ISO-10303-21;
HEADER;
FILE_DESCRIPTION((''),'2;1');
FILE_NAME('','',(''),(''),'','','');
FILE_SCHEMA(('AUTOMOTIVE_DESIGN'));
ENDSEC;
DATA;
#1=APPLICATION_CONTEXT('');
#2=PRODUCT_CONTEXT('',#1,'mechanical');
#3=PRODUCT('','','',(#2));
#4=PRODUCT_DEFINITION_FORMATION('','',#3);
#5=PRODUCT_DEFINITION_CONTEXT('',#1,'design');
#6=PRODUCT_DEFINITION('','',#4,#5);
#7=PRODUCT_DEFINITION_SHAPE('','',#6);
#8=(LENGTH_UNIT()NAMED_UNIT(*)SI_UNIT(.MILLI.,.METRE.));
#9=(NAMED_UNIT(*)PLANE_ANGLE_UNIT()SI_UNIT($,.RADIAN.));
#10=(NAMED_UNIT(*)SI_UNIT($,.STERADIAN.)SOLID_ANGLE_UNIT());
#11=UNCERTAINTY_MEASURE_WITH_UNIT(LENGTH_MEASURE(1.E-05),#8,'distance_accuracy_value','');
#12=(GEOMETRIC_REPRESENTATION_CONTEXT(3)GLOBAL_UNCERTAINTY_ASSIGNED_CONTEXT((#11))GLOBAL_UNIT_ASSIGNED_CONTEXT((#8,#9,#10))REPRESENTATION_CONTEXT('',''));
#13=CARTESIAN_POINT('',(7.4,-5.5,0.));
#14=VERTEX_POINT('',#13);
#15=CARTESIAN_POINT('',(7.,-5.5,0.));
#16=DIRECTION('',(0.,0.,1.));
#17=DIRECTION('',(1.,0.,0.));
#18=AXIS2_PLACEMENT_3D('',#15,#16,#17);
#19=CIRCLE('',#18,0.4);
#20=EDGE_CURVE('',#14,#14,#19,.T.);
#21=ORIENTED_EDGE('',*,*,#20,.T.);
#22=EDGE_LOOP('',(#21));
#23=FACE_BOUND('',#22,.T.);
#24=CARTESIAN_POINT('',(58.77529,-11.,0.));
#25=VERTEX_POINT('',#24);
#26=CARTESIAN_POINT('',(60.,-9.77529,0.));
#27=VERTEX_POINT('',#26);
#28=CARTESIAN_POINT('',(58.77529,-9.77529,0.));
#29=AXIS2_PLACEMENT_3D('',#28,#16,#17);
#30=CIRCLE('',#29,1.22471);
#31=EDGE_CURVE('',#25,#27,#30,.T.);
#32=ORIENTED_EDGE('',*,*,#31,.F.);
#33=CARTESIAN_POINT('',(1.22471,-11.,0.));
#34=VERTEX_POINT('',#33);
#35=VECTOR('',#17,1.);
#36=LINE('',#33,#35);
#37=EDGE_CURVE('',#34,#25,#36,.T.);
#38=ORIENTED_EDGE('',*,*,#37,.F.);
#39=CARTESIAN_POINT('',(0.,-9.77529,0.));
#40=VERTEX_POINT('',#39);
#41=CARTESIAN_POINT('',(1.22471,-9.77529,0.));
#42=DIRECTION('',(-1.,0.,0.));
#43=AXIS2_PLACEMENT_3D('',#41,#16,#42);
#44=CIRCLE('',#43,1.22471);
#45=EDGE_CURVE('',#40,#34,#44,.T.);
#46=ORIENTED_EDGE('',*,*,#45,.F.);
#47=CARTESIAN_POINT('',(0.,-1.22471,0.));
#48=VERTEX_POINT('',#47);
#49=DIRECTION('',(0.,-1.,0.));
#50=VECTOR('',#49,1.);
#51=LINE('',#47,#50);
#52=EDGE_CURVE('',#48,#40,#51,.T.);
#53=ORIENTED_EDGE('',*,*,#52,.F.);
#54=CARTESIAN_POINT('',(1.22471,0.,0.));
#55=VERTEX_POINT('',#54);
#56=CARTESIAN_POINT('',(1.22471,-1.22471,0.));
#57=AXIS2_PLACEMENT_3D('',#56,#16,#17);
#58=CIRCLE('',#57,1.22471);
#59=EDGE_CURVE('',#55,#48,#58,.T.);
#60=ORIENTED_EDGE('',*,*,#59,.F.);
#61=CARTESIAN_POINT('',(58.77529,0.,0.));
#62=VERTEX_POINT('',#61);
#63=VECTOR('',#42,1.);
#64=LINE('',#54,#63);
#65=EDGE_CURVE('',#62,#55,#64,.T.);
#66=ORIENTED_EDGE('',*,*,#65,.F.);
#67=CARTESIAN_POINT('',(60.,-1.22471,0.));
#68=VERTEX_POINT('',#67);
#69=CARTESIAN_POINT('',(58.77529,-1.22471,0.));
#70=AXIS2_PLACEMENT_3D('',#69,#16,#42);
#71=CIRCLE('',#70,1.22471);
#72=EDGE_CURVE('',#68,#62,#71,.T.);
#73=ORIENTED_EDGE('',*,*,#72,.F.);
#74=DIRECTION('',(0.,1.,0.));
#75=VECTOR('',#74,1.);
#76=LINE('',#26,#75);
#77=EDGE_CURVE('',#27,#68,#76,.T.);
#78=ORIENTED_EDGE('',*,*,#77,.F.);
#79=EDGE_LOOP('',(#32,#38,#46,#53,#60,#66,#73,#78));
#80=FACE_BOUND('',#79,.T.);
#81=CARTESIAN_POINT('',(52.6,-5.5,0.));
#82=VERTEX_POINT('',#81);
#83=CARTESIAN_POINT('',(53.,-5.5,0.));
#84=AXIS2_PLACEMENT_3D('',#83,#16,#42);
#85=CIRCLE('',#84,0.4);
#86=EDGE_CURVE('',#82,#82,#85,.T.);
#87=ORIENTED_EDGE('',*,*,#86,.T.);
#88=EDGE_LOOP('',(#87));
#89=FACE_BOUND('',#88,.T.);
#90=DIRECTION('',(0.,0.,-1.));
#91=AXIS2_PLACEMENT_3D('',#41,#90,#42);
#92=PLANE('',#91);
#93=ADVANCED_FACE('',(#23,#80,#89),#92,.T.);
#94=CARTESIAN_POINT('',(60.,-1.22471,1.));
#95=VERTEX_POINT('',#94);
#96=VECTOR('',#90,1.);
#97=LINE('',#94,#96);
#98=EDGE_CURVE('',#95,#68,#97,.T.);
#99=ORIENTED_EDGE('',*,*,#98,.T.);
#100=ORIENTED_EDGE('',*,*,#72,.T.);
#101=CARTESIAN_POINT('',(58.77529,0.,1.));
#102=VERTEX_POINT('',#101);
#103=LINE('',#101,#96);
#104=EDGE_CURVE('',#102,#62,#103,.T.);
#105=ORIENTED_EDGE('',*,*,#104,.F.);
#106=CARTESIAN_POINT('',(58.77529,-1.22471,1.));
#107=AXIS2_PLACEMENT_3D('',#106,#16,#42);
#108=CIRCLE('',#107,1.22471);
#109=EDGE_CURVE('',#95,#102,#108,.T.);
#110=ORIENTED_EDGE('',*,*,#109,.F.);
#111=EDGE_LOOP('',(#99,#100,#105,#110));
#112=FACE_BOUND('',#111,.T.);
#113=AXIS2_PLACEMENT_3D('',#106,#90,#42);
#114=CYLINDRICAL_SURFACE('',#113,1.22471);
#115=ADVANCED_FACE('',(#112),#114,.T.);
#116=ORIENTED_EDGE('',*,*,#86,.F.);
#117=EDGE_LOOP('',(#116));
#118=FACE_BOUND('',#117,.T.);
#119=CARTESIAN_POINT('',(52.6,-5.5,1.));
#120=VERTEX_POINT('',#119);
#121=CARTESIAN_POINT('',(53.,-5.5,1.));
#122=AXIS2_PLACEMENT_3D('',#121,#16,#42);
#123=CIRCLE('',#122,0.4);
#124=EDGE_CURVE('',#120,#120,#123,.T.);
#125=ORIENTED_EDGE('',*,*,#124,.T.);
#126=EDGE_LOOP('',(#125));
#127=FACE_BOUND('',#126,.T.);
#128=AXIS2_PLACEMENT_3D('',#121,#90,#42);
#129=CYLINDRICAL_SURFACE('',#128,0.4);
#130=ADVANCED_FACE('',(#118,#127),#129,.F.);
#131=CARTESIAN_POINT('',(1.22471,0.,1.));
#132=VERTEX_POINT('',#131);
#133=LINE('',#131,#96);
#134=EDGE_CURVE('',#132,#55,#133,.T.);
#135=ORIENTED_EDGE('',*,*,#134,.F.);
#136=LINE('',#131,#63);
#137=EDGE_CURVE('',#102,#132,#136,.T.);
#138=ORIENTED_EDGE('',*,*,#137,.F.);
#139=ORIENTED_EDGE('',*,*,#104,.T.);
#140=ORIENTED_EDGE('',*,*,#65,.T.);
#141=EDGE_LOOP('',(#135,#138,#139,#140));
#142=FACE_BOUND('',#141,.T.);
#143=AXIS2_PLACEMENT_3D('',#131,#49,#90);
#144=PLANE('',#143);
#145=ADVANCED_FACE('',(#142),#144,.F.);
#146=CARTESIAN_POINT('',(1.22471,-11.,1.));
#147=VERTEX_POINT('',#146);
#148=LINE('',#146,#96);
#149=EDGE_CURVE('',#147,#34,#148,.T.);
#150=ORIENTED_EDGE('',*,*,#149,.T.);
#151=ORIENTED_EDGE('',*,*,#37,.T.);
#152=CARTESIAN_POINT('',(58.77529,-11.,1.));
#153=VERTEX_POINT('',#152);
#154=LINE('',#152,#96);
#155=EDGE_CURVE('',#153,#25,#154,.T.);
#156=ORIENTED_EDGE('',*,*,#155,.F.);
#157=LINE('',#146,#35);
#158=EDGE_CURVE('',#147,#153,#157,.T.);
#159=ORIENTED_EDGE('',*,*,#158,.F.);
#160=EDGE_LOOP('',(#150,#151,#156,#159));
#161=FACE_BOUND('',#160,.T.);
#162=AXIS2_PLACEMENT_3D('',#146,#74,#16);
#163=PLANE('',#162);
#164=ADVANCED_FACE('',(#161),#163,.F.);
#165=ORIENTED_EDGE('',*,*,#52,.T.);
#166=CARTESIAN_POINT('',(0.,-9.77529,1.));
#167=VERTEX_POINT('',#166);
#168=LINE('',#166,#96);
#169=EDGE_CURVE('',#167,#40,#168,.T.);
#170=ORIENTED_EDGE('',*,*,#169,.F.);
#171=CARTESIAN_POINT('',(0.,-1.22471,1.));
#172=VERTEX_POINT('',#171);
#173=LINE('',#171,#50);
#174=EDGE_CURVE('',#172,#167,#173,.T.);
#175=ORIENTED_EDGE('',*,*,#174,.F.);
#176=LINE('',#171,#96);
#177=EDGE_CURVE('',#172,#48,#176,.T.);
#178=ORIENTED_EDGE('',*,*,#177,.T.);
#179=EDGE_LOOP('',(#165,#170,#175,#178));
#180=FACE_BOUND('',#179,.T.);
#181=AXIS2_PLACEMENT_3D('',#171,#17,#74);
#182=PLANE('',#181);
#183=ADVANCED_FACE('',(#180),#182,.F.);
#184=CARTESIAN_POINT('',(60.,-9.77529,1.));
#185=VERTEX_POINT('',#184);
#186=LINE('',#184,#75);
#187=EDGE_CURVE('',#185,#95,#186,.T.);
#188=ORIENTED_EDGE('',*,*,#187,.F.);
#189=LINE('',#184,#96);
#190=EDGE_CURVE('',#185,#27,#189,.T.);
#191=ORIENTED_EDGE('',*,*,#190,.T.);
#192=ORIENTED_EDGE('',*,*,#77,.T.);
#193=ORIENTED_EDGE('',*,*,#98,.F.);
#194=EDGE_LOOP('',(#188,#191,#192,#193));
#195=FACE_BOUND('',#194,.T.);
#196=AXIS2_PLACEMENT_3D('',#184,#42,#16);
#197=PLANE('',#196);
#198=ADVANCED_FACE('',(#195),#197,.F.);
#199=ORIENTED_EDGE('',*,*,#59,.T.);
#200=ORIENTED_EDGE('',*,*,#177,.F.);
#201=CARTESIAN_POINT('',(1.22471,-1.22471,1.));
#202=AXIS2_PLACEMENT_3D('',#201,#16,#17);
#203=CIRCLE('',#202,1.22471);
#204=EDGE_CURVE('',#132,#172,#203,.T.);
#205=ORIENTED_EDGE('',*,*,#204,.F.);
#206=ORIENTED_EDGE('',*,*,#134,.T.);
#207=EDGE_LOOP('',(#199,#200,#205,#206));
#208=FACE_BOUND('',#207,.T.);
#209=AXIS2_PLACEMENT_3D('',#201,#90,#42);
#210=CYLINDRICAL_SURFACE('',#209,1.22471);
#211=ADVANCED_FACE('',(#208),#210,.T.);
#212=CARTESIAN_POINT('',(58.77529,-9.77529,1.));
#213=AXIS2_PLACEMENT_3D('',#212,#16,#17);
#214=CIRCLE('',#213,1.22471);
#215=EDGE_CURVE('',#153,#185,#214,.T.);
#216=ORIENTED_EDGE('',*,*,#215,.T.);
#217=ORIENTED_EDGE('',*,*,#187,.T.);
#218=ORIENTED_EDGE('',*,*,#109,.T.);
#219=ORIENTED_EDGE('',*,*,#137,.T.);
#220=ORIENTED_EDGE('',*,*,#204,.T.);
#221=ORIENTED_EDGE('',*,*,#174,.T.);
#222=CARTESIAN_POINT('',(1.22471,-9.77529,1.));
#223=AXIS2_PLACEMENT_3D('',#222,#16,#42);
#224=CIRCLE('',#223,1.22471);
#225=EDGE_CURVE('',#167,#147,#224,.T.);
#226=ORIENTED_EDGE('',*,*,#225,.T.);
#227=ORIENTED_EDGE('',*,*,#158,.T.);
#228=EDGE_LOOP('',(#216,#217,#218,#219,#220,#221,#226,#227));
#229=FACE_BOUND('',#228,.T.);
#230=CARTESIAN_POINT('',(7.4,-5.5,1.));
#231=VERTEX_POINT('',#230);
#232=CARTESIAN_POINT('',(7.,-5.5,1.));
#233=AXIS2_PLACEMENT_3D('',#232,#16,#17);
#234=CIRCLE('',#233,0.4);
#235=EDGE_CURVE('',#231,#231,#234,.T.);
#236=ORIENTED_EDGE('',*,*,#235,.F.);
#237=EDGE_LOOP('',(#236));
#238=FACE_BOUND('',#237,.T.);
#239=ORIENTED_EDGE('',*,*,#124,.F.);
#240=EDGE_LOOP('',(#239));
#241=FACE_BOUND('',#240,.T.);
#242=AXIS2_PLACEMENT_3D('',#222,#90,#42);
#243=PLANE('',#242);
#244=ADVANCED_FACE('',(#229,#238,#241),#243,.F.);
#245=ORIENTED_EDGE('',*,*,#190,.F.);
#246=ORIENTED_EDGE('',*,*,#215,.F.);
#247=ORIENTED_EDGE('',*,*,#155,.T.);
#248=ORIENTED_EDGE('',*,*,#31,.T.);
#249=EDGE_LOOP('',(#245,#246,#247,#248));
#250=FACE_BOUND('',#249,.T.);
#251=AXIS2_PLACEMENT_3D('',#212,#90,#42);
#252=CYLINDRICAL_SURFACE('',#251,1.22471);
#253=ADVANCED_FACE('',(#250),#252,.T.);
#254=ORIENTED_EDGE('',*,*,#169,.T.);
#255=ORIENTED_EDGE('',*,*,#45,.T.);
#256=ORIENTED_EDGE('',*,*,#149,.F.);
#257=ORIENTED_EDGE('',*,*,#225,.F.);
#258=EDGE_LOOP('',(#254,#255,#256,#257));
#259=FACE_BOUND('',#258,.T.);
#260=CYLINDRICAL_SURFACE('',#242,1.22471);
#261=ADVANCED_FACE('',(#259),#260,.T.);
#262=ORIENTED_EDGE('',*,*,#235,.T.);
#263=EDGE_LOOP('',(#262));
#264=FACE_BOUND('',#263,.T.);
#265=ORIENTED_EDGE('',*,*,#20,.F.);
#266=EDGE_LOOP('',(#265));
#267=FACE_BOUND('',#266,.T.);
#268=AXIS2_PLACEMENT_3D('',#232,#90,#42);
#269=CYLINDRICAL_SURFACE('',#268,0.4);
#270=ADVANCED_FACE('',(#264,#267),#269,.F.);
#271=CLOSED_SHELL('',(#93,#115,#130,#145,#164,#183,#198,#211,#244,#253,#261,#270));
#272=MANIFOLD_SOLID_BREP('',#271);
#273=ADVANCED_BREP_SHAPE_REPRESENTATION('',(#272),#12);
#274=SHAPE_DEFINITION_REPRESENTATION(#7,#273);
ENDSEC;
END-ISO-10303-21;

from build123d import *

# Parameters (mm, degrees)
SKETCH2_R           = 0.4
BOSS_EXTRUDE1_DEPTH = 1


with BuildPart() as part:
    # Sketch2 → Boss-Extrude1 (new body)
    with BuildSketch(Plane.XY):
        with BuildLine():
            Line((1.224709635, 0), (58.775290365, 0))
            ThreePointArc((58.775290365, 0), (59.641290853, -0.358709147), (60, -1.224709635))
            Line((60, -1.224709635), (60, -9.775290365))
            ThreePointArc((60, -9.775290365), (59.641290853, -10.641290853), (58.775290365, -11))
            Line((58.775290365, -11), (1.224709635, -11))
            ThreePointArc((1.224709635, -11), (0.358709147, -10.641290853), (0, -9.775290365))
            Line((0, -9.775290365), (0, -1.224709635))
            ThreePointArc((0, -1.224709635), (0.358709147, -0.358709147), (1.224709635, 0))
        make_face()
        with Locations((7, -5.5)):
            Circle(SKETCH2_R, mode=Mode.SUBTRACT)
        with Locations(Location((53, -5.5, 0), (0, 0, 180))):
            Circle(SKETCH2_R, mode=Mode.SUBTRACT)
    extrude(amount=BOSS_EXTRUDE1_DEPTH)


solid = part.part
